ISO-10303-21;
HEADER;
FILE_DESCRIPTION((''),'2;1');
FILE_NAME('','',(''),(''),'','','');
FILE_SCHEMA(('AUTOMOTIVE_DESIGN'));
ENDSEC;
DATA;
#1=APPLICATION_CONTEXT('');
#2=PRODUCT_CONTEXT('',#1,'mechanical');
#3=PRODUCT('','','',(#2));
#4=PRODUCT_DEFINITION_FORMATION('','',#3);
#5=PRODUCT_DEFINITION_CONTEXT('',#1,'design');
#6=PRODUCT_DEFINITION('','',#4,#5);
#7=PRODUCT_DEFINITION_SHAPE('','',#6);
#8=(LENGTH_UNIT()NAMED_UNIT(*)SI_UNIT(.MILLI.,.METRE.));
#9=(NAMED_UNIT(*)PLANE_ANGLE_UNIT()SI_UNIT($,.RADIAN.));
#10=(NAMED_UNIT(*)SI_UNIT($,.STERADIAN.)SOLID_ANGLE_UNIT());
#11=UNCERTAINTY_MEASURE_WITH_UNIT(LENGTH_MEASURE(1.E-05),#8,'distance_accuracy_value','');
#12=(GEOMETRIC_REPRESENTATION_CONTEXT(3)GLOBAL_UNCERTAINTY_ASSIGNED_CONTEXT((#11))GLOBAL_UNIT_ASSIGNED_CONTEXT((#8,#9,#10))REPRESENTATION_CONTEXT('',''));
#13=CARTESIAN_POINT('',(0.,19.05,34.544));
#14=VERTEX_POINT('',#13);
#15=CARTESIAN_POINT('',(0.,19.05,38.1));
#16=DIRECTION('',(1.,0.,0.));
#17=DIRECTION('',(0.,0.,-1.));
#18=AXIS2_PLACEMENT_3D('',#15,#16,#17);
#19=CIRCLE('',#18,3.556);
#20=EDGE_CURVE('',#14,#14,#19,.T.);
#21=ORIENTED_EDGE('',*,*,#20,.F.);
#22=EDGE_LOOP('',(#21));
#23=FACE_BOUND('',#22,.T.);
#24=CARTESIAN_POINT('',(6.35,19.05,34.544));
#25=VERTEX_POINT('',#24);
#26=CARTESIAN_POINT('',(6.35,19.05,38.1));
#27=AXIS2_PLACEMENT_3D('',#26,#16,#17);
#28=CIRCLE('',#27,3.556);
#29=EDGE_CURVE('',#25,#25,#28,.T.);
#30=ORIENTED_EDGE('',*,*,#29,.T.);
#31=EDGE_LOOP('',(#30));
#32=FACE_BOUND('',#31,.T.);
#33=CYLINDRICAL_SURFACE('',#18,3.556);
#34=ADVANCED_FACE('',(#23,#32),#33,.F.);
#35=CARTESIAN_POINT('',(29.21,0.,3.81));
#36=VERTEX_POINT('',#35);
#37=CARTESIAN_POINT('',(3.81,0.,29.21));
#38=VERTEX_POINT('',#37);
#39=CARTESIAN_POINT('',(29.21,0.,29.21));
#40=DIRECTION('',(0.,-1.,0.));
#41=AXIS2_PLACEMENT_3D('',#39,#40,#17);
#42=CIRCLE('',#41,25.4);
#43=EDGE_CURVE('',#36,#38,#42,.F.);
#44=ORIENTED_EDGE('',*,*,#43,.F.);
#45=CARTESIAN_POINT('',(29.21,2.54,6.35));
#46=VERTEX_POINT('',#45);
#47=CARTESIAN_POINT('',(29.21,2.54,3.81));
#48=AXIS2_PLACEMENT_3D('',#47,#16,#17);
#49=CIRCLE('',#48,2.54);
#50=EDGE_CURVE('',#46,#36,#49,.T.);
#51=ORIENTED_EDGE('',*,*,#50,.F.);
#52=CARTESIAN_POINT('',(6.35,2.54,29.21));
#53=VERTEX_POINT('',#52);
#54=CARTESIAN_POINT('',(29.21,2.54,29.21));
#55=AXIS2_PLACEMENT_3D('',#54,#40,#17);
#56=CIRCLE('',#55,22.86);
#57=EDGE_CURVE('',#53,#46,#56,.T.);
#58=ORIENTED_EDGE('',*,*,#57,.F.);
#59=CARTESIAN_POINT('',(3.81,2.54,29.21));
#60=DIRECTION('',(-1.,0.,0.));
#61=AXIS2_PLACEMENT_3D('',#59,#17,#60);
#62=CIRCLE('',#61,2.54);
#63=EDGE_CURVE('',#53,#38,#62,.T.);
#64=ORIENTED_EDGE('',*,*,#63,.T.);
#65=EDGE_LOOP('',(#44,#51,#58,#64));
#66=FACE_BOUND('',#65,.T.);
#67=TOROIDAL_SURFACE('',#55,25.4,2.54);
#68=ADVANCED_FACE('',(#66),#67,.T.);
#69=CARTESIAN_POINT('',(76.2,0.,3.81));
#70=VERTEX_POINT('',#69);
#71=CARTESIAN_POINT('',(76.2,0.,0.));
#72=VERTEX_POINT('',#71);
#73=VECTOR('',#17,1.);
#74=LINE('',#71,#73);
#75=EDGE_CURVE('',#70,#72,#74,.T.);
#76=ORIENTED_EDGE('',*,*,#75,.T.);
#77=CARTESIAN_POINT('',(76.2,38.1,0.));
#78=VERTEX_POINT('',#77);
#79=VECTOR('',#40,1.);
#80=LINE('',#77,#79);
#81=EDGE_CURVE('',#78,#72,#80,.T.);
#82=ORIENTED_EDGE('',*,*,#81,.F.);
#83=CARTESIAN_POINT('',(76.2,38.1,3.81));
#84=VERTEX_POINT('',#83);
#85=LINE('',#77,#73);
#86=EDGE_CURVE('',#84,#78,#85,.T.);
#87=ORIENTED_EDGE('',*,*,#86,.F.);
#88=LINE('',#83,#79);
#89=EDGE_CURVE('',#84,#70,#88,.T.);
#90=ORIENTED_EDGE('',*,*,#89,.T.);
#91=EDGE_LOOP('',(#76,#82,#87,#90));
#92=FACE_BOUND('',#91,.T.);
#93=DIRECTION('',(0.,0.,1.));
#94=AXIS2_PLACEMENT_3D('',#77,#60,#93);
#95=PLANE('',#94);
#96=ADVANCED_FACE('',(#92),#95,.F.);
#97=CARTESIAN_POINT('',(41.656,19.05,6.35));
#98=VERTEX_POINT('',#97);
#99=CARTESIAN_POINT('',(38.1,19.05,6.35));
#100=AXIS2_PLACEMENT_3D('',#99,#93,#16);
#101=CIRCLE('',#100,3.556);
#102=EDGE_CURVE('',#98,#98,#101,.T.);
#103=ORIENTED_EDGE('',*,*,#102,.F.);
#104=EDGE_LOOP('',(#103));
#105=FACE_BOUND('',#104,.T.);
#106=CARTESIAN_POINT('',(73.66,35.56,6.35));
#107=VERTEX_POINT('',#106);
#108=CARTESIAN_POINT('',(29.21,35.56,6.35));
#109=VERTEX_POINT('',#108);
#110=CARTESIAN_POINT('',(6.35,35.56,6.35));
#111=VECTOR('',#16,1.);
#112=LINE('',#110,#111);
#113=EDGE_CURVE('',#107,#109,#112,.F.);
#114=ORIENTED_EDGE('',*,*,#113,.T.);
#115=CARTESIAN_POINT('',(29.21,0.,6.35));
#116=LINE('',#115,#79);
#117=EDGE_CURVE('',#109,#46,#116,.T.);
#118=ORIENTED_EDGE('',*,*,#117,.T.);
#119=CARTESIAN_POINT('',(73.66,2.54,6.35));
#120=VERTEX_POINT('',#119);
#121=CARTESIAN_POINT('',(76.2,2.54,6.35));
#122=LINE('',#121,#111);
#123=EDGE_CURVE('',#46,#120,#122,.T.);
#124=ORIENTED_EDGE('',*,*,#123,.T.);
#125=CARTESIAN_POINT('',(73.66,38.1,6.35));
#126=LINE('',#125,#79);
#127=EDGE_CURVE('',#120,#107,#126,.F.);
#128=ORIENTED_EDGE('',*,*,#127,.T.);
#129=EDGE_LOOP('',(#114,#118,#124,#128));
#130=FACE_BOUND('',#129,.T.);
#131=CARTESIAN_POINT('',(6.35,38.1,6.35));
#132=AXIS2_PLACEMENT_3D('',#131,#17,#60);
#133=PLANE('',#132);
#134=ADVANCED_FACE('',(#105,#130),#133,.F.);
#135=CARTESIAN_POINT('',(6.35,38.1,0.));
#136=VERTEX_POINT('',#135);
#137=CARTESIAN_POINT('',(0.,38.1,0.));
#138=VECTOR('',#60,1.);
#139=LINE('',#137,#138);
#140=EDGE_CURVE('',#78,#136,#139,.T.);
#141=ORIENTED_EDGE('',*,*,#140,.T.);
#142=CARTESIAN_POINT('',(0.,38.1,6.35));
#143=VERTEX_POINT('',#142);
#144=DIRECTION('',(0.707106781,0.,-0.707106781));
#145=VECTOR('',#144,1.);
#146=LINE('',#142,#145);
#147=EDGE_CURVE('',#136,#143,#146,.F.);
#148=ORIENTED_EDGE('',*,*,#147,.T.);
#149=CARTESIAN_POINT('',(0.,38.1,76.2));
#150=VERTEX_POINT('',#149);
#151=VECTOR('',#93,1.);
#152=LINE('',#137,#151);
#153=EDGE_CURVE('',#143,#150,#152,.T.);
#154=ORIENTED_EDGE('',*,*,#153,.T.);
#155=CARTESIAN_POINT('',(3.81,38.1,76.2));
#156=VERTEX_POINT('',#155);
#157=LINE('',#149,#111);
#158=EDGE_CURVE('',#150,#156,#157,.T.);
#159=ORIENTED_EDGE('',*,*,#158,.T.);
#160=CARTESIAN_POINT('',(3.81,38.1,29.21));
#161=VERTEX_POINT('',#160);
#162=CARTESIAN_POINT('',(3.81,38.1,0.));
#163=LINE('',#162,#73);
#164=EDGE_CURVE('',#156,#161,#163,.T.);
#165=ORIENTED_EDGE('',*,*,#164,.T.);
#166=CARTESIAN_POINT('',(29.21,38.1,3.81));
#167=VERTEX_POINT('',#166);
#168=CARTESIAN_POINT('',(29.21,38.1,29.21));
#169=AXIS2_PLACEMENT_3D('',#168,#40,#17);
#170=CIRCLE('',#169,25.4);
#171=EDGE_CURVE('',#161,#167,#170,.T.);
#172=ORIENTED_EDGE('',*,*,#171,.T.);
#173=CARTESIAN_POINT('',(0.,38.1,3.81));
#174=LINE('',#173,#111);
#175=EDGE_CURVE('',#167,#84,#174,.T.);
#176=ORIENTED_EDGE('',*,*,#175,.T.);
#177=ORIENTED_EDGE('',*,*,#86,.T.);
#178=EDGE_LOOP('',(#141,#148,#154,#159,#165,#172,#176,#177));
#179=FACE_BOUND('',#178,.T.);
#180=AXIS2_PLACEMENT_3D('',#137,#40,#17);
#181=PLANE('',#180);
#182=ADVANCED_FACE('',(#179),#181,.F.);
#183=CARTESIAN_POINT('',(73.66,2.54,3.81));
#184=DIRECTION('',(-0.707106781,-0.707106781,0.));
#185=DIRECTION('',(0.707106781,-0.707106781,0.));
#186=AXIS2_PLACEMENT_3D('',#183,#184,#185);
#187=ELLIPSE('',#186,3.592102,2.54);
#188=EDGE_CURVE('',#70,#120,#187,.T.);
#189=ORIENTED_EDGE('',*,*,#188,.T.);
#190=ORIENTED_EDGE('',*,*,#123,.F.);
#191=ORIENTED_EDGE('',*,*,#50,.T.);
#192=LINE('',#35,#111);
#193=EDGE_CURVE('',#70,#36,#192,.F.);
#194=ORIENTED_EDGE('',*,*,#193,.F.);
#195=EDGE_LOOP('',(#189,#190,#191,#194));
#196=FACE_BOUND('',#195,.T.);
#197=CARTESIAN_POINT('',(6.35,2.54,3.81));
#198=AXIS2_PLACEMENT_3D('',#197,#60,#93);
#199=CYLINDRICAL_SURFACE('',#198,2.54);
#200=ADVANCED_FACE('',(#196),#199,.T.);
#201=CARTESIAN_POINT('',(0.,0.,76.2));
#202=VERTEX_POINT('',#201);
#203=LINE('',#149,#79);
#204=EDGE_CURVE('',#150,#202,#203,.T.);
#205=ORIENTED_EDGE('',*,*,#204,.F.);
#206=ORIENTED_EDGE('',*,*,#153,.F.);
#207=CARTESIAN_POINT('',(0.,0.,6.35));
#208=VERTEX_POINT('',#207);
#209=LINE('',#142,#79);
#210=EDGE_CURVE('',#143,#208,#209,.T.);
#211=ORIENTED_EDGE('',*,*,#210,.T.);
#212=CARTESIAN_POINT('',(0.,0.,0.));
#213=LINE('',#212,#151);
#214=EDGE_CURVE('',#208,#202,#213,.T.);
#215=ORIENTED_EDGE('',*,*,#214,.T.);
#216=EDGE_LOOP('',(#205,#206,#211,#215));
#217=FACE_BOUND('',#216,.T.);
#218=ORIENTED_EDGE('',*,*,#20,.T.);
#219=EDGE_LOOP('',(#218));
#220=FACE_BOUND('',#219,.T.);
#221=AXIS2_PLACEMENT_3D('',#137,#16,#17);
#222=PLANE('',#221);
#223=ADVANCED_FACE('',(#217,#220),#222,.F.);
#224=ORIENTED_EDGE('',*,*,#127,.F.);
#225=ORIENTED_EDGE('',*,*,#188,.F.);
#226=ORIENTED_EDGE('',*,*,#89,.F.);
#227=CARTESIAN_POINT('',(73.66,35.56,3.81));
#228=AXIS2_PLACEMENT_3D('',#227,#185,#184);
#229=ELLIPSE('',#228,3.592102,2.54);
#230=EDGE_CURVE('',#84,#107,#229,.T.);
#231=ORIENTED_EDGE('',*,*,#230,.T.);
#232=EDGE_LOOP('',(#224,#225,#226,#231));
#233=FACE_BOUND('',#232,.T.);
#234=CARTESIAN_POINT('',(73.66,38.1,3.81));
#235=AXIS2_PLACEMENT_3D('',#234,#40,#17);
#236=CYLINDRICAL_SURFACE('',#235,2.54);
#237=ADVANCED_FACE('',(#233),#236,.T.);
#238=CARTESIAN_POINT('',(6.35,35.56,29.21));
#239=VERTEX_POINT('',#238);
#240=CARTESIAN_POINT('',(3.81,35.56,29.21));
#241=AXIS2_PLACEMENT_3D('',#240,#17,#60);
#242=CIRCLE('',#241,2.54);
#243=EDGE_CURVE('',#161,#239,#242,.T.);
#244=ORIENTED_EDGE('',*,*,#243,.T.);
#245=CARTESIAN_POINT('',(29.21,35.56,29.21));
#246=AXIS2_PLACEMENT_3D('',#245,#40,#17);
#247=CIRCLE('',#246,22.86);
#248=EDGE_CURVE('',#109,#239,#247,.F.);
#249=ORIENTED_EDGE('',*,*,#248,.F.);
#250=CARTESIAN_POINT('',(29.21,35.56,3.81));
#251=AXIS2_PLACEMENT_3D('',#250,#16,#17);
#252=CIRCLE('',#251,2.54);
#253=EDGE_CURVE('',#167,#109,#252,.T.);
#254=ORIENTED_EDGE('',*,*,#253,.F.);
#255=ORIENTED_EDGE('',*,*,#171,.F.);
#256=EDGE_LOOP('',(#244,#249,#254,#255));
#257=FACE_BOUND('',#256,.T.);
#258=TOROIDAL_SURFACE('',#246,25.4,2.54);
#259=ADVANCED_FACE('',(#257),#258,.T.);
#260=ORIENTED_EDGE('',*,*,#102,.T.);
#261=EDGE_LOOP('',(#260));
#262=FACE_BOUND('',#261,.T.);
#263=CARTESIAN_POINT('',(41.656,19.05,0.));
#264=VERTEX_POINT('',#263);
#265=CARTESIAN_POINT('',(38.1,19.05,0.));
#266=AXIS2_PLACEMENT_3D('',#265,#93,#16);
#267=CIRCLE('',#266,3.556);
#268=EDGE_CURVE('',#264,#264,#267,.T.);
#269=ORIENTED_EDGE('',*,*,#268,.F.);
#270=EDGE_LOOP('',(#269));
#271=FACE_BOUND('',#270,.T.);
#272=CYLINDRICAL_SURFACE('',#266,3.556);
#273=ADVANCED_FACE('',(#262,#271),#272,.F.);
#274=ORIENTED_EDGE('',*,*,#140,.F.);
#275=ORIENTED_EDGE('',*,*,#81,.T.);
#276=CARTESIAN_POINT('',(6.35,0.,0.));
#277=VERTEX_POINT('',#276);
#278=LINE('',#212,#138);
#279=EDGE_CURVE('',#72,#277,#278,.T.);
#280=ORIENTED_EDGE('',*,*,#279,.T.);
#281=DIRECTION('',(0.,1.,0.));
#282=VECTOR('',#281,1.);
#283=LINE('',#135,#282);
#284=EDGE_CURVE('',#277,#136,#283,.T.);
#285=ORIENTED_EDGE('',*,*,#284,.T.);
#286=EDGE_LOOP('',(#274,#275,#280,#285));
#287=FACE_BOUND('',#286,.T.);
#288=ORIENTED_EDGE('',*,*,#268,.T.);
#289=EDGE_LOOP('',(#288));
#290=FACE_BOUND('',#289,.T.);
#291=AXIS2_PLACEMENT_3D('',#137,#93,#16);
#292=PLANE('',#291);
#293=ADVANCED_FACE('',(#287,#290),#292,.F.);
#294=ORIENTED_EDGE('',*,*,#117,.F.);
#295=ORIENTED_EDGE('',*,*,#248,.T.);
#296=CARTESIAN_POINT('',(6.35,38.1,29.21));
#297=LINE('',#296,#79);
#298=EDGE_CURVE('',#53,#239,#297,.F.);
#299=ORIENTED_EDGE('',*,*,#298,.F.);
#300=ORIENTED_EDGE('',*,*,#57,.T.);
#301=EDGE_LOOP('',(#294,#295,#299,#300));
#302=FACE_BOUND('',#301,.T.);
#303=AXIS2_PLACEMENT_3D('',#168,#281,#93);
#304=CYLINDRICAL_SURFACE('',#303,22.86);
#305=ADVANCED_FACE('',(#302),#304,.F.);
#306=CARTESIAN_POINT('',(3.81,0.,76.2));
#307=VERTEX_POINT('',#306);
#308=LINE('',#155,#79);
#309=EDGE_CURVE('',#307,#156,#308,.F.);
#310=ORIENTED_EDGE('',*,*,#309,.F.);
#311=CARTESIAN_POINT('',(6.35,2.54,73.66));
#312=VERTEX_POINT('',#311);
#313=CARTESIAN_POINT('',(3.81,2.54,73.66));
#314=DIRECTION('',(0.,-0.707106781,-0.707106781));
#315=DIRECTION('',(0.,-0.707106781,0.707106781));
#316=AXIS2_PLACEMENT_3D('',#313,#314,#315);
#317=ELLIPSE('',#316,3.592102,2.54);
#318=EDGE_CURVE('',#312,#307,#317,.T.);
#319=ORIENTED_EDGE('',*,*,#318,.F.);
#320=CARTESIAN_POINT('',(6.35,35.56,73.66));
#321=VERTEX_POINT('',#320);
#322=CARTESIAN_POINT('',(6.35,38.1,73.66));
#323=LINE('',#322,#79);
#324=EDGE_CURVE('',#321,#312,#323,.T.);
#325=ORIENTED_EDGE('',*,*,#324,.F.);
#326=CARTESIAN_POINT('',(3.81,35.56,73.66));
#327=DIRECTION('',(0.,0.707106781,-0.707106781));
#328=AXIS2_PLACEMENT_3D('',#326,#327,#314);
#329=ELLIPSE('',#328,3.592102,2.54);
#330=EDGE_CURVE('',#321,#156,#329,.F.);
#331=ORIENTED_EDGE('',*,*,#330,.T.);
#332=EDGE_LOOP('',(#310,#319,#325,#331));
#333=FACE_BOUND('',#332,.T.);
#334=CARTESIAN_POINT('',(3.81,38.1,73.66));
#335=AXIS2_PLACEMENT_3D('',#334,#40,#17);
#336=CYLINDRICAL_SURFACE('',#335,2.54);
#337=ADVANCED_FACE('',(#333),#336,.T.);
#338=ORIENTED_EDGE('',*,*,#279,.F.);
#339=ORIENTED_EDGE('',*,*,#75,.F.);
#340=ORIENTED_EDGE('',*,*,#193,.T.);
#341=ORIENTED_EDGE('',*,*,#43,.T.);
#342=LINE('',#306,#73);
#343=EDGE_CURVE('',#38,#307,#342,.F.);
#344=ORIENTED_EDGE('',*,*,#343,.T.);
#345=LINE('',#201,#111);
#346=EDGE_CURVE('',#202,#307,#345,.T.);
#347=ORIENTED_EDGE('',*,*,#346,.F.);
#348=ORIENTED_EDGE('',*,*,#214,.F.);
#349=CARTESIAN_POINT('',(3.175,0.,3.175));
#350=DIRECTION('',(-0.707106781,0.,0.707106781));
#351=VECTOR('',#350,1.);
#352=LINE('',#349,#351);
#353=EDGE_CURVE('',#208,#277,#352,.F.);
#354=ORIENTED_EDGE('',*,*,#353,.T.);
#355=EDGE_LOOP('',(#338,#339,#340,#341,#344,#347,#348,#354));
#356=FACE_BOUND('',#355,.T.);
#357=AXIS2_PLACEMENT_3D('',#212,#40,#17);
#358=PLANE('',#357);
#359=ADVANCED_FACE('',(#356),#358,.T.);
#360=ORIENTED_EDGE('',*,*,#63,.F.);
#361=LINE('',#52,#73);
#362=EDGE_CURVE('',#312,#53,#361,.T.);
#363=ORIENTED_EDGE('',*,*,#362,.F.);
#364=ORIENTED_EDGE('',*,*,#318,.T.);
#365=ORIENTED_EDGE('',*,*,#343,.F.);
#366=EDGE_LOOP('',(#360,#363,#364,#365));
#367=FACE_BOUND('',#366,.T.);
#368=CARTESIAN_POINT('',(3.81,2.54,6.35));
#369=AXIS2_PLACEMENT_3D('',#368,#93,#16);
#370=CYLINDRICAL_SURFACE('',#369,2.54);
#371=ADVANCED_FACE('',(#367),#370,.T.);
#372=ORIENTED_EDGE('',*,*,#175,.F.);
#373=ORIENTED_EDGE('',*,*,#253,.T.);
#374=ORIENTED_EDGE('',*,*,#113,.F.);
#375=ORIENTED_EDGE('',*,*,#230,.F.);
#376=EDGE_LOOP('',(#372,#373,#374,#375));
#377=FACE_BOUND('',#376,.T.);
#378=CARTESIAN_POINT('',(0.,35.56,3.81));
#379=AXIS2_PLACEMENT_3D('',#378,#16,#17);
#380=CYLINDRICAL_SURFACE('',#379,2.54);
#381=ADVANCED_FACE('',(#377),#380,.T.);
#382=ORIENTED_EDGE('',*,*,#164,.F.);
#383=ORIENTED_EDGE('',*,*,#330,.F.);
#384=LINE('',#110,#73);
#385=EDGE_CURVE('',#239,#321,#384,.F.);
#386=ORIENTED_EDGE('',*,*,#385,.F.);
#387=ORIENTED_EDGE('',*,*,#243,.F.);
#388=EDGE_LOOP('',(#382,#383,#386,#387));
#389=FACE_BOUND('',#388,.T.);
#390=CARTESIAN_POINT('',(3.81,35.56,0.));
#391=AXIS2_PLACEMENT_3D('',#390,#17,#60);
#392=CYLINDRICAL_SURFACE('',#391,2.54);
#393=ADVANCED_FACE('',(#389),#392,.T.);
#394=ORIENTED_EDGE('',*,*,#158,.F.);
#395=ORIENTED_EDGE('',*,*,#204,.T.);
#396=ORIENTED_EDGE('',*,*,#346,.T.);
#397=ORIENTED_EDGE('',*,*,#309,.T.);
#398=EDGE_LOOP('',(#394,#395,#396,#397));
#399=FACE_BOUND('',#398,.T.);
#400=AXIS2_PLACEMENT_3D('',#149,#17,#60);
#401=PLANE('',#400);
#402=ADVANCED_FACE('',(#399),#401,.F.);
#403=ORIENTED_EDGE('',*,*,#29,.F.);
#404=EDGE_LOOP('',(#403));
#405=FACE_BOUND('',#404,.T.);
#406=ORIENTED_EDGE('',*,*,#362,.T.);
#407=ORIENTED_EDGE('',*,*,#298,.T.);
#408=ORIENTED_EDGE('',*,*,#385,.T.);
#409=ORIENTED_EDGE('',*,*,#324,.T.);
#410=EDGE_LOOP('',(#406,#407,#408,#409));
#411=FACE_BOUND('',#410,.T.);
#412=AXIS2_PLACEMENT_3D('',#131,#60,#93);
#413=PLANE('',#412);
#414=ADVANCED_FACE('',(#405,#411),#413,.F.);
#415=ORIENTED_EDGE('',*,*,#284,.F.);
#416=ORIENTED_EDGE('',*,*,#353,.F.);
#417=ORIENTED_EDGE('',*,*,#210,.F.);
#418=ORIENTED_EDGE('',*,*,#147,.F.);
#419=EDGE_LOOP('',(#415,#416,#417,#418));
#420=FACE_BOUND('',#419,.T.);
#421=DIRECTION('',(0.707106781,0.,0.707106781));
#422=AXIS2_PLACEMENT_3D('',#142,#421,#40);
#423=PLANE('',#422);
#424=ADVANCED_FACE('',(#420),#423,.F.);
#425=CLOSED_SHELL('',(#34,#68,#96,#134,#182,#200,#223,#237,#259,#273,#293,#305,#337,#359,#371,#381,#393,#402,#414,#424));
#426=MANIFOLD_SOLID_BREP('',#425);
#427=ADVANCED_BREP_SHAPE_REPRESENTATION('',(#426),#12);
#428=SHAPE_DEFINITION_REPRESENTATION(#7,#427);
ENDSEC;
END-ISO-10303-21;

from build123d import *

# Parameters (mm, degrees)
BOSS_EXTRUDE1_DEPTH = 38.1
SKETCH2_R           = 3.556
CUT_EXTRUDE1_DEPTH  = 7.35
SKETCH3_R           = 3.556
CUT_EXTRUDE2_DEPTH  = 7.35
FILLET1_R           = 22.86
FILLET2_R           = 2.54
CHAMFER1_SIZE       = 6.35


with BuildPart() as part:
    # Sketch1 → Boss-Extrude1 (new body)
    with BuildSketch(Plane(origin=(0, 0, 0), x_dir=(1, 0, 0), z_dir=(0, 1, 0))):
        Polygon((0, 0), (0, -76.2), (6.35, -76.2), (6.35, -6.35), (76.2, -6.35), (76.2, 0), align=None)
    extrude(amount=BOSS_EXTRUDE1_DEPTH)

    # Sketch2 → Cut-Extrude1 (cut, through all)
    with BuildSketch(Plane(origin=(6.35, 0, 0), x_dir=(0, 0, -1), z_dir=(1, 0, 0))):
        with Locations((-38.1, 19.05)):
            Circle(SKETCH2_R)
    extrude(amount=-CUT_EXTRUDE1_DEPTH, mode=Mode.SUBTRACT)

    # Sketch3 → Cut-Extrude2 (cut, through all)
    with BuildSketch(Plane.XY.offset(6.35)):
        with Locations((38.1, 19.05)):
            Circle(SKETCH3_R)
    extrude(amount=-CUT_EXTRUDE2_DEPTH, mode=Mode.SUBTRACT)

    # Fillet1
    fillet1_edges = [part.edges().sort_by_distance(p)[0] for p in [
        (6.35, 19.05, 6.35),
    ]]
    fillet(fillet1_edges, radius=FILLET1_R)

    # Fillet2
    fillet2_edges = [part.edges().sort_by_distance(p)[0] for p in [
        (76.2, 19.05, 6.35),
        (6.35, 19.05, 76.2),
        (6.35, 38.1, 52.705),
        (52.705, 0, 6.35),
        (52.705, 38.1, 6.35),
        (13.045538982, 0, 13.045538982),
        (13.045538982, 38.1, 13.045538982),
        (6.35, 0, 52.705),
    ]]
    fillet(fillet2_edges, radius=FILLET2_R)

    # Chamfer1
    chamfer1_edges = [part.edges().sort_by_distance(p)[0] for p in [
        (0, 19.05, 0),
    ]]
    chamfer(chamfer1_edges, length=CHAMFER1_SIZE)


solid = part.part
